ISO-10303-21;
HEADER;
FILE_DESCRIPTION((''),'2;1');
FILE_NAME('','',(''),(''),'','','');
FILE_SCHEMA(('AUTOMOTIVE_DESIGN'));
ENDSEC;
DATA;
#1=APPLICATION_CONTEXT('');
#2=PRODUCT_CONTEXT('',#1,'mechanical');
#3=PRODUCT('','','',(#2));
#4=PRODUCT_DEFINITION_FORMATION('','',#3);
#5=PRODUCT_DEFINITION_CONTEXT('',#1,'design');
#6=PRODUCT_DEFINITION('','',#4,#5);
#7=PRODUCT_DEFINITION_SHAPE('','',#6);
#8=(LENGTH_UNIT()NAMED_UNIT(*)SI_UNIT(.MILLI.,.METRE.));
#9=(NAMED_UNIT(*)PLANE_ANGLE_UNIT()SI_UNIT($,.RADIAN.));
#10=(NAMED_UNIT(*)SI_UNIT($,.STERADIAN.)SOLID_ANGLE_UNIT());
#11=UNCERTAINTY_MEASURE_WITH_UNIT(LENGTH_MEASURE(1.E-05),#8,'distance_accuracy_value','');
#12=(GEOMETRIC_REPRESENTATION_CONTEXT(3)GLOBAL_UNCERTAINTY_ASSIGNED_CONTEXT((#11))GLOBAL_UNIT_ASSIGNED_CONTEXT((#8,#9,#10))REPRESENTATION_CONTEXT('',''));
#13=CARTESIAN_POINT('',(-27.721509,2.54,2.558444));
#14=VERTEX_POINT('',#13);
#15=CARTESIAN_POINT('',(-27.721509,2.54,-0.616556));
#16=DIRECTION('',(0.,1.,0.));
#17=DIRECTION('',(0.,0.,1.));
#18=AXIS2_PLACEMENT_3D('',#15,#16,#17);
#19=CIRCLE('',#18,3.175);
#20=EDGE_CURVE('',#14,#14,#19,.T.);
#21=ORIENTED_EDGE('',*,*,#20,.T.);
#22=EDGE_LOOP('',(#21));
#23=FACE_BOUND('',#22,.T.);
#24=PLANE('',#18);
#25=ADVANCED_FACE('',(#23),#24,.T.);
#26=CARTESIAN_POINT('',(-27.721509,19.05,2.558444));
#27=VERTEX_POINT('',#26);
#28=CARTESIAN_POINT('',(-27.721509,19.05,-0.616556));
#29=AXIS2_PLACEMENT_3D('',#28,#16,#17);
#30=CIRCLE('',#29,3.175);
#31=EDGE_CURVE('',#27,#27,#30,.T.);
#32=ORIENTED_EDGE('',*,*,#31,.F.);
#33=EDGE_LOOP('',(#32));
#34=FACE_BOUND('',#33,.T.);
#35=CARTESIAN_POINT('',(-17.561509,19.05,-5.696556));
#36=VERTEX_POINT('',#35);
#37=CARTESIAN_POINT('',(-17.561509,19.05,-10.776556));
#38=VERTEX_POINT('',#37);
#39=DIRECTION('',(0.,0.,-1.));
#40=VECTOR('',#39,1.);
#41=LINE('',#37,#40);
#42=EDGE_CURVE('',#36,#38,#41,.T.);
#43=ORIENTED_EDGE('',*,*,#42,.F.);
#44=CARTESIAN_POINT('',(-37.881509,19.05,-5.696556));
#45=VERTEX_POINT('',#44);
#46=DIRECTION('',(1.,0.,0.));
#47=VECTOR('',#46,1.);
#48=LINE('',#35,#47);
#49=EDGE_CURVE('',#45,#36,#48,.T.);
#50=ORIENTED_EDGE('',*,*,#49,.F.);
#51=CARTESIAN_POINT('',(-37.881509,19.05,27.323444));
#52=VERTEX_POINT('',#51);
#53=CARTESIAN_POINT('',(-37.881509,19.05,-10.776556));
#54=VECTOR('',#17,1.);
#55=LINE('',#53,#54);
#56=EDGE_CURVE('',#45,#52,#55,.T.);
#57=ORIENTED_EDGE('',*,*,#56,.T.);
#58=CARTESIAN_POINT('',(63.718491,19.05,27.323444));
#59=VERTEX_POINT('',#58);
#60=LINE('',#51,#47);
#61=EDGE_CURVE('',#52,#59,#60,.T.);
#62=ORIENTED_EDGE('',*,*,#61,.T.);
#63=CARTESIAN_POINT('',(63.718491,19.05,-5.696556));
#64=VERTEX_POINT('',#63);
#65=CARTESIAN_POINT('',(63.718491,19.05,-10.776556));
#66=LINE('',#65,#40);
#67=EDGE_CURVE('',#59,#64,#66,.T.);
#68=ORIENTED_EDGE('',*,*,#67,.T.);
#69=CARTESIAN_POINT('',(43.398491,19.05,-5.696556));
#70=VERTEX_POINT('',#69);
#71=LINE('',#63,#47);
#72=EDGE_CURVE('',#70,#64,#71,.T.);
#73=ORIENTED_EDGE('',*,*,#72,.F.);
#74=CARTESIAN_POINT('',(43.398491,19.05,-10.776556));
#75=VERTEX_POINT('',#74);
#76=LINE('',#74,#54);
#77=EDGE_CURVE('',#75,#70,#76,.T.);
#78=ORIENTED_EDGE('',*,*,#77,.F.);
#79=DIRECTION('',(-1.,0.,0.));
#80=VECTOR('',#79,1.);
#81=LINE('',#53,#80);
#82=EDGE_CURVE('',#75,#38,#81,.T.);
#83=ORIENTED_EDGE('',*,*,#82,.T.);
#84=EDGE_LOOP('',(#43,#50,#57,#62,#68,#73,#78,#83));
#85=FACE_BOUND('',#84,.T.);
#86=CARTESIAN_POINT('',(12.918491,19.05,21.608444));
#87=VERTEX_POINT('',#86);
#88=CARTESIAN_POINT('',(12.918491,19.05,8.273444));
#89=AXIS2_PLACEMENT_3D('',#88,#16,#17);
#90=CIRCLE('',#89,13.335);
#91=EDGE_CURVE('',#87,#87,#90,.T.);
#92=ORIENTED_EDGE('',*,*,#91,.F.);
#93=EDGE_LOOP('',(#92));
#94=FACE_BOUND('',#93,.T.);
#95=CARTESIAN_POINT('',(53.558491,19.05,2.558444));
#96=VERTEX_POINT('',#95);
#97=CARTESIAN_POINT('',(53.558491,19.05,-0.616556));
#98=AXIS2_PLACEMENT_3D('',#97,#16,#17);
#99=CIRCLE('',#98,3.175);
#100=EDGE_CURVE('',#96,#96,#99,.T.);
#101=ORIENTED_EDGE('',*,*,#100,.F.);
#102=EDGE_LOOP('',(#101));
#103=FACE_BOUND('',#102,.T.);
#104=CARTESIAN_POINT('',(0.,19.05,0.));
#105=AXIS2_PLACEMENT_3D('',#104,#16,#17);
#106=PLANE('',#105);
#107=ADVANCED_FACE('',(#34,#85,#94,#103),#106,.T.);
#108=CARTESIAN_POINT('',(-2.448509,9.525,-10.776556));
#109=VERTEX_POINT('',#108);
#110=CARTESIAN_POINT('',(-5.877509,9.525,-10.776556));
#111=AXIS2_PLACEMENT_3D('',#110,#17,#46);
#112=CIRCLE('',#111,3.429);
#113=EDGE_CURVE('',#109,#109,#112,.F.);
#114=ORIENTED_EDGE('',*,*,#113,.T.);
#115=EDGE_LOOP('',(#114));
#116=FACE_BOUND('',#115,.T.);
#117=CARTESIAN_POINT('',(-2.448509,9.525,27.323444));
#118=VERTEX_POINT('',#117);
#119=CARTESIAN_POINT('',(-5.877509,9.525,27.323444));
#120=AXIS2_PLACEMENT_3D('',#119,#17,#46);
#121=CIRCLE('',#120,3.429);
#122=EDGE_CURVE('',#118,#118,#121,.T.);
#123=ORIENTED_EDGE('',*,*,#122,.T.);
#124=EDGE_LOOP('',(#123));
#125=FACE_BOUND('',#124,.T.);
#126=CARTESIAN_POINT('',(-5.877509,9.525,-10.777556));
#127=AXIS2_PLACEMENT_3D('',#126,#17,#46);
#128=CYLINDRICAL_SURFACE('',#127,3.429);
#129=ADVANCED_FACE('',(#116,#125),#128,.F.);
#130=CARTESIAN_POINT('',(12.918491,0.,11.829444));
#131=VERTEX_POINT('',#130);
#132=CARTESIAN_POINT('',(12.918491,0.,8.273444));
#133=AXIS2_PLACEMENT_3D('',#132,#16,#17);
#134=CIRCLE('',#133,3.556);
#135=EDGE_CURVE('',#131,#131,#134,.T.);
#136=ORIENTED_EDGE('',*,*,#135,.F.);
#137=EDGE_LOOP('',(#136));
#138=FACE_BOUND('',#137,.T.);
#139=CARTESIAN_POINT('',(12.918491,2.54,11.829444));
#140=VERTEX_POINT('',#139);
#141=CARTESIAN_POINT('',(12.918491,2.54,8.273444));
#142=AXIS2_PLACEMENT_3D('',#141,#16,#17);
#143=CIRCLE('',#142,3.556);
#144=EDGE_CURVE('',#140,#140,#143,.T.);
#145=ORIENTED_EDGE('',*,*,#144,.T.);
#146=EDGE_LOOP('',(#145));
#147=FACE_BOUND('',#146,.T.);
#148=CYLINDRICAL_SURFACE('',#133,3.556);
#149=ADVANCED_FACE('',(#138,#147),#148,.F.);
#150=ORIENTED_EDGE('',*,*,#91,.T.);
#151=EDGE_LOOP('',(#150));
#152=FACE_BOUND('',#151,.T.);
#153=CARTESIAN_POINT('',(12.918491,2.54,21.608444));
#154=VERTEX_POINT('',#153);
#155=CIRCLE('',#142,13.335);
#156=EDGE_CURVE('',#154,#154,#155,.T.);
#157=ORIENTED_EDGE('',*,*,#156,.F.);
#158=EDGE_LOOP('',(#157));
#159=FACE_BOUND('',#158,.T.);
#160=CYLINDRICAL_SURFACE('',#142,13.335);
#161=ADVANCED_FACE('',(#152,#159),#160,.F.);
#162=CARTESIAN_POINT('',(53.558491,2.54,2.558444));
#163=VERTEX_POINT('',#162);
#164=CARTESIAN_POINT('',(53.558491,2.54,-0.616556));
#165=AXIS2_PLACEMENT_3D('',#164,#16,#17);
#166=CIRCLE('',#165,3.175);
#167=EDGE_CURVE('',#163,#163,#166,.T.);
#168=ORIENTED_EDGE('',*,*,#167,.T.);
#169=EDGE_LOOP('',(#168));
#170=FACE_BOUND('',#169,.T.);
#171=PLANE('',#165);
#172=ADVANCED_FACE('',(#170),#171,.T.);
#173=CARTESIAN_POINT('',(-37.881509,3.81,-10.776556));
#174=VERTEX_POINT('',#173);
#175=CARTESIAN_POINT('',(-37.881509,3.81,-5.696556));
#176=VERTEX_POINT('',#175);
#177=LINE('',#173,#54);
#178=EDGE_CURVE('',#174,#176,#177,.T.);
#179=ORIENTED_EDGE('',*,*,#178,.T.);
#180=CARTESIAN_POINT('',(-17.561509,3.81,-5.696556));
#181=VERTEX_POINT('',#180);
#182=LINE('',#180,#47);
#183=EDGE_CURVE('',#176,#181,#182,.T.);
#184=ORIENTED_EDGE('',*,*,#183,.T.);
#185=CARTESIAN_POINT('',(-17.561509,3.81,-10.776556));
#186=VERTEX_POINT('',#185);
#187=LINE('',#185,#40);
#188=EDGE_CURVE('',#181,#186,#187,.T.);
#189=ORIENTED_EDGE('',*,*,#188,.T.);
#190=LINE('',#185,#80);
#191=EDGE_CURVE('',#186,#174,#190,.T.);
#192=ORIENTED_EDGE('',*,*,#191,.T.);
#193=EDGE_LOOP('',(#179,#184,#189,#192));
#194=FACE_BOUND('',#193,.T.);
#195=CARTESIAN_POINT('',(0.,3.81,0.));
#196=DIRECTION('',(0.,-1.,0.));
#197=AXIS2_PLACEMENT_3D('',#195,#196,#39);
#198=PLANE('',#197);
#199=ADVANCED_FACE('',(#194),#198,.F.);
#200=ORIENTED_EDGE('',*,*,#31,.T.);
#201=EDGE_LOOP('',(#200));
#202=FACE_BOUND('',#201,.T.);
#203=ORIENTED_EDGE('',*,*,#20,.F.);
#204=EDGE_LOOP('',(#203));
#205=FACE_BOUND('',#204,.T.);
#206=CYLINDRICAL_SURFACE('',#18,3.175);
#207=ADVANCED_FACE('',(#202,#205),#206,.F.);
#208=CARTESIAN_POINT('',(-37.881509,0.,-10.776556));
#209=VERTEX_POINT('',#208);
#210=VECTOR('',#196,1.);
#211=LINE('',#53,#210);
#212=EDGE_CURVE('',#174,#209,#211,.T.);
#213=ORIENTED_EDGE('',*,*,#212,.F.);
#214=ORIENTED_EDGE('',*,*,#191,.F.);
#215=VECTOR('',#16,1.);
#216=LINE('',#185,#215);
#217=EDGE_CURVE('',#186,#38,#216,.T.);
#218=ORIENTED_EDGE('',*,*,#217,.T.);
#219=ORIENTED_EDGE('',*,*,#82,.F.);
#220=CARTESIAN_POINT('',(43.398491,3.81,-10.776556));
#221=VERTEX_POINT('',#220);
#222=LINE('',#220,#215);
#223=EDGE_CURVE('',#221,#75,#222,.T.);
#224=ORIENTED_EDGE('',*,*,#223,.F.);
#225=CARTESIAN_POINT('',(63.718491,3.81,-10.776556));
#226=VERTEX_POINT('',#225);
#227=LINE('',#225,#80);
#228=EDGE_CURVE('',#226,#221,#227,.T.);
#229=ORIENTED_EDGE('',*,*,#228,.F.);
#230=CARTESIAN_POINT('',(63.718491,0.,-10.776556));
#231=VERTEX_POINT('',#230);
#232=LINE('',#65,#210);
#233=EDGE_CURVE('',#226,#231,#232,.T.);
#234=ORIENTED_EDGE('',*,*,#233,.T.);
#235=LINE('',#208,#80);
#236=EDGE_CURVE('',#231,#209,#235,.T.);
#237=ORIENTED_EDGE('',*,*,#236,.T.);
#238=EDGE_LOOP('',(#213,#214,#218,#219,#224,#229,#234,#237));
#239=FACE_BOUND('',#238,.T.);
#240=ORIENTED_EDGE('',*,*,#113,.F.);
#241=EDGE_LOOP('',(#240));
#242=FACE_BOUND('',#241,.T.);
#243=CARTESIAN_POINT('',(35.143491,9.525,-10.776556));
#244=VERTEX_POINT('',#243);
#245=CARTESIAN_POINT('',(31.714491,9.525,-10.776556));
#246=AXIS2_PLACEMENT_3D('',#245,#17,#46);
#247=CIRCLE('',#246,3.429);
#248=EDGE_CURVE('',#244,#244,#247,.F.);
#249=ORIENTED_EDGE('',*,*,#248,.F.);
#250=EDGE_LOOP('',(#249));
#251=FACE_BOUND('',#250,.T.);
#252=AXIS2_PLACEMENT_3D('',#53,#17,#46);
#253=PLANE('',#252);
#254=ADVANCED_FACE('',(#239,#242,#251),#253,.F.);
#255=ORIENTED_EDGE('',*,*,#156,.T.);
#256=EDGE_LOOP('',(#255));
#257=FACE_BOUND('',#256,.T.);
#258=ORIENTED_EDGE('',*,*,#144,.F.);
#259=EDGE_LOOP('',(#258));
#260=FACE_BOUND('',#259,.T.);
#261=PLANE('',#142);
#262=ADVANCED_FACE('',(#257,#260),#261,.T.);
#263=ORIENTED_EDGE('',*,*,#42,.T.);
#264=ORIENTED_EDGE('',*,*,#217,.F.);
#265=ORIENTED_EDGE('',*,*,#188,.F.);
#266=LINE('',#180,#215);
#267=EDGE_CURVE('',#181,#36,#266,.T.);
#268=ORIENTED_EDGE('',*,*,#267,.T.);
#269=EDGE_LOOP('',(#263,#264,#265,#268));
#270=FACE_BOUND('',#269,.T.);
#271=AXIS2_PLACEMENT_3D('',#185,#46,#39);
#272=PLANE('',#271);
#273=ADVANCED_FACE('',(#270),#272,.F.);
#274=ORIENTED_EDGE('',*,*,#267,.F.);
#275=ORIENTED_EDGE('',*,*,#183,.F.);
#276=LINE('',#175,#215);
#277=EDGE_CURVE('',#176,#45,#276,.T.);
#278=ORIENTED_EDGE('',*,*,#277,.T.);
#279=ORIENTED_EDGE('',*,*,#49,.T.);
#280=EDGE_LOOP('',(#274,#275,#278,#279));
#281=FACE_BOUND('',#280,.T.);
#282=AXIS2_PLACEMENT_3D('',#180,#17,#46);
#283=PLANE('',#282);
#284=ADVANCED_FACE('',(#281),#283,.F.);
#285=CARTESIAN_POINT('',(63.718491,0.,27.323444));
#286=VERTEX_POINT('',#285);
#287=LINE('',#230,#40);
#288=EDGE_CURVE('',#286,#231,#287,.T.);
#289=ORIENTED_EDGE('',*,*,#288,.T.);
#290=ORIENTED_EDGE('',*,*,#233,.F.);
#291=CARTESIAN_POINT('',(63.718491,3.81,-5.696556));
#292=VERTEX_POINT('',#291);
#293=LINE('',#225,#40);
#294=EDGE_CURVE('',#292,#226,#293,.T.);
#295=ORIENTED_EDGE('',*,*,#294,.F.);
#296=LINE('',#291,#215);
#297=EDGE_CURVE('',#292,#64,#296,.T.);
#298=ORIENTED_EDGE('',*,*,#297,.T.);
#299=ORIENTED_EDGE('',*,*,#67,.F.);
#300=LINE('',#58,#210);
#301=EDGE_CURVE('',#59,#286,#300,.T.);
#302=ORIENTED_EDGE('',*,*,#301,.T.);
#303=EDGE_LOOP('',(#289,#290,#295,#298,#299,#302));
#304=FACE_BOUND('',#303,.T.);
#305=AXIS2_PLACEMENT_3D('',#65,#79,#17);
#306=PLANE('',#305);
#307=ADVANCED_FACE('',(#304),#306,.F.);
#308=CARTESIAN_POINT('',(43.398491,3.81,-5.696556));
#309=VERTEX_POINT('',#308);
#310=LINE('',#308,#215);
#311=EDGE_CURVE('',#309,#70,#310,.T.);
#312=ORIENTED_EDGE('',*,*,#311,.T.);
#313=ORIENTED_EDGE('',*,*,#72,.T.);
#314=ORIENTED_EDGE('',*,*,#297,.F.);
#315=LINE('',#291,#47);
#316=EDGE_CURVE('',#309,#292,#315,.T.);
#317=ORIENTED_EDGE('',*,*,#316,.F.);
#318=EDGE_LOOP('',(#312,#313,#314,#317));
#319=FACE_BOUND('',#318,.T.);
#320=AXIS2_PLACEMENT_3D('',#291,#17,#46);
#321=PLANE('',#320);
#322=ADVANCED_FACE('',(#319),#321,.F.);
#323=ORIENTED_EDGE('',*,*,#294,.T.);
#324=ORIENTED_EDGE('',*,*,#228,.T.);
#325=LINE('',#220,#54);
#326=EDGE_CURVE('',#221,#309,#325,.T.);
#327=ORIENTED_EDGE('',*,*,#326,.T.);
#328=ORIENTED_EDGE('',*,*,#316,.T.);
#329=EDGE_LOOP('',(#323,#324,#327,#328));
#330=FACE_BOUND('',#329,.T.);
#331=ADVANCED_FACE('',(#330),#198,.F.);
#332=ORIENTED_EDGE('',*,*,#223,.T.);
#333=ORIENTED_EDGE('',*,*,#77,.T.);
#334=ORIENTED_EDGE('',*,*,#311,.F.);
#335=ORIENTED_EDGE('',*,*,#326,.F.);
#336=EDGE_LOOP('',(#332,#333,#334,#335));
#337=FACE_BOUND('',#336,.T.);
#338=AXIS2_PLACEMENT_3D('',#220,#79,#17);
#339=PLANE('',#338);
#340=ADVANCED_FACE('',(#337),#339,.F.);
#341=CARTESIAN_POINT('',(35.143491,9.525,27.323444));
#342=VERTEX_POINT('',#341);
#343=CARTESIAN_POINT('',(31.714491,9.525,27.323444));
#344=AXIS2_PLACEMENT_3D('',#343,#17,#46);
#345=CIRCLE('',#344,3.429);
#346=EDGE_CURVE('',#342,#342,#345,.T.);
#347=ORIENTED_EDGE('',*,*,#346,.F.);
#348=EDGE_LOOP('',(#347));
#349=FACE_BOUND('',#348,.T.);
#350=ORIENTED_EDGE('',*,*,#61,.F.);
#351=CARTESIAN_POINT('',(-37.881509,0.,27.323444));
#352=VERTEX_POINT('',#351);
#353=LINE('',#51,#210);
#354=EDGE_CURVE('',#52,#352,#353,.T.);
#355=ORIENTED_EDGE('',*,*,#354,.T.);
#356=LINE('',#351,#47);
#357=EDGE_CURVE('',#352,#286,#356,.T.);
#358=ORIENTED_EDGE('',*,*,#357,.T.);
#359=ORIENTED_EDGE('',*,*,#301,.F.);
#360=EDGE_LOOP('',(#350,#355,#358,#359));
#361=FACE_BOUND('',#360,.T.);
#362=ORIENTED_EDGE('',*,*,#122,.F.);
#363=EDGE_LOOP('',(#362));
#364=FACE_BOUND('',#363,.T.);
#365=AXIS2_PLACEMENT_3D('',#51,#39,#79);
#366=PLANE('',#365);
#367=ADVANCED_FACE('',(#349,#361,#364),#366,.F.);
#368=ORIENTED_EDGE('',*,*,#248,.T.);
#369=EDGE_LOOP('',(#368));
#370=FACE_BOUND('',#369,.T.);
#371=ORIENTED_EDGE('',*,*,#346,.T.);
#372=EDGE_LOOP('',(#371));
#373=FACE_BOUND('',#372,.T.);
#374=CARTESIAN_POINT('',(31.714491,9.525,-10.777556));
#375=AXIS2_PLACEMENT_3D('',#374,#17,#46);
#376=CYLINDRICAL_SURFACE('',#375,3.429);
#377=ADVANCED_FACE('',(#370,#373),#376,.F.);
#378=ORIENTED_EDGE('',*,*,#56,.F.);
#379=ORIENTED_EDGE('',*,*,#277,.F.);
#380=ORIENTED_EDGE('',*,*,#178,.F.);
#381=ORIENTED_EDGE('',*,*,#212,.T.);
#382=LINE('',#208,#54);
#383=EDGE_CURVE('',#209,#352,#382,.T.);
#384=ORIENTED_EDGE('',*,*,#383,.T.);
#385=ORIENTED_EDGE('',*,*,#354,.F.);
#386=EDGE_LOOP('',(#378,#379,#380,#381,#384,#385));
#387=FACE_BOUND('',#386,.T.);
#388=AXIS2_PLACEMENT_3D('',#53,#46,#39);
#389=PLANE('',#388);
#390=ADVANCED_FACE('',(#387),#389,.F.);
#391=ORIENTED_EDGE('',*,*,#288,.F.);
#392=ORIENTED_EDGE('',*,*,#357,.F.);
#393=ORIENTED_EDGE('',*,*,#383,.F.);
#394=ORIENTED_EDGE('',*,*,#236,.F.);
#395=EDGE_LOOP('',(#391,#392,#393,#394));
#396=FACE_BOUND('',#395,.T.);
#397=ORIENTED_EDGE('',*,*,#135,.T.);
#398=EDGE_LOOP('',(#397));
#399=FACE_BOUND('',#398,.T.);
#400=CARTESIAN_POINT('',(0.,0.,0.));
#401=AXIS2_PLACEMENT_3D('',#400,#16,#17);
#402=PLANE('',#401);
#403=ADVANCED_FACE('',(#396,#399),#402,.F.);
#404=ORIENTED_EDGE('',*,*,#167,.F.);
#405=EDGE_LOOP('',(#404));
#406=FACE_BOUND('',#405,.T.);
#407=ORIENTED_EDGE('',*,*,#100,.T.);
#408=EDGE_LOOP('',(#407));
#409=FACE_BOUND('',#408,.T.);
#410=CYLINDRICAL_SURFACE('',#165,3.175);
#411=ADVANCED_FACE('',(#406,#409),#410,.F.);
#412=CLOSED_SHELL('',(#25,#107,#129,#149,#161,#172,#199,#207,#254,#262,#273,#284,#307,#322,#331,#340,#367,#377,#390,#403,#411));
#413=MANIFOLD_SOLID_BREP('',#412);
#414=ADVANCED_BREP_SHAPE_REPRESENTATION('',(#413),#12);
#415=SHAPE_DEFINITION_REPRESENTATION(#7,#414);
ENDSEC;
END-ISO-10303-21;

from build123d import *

# Parameters (mm, degrees)
SKETCH1_W           = 101.6
SKETCH1_H           = 38.1
BOSS_EXTRUDE1_DEPTH = 19.05
SKETCH2_R           = 3.175
CUT_EXTRUDE1_DEPTH  = 16.51
CUT_EXTRUDE2_REACH  = 40.1
SKETCH3_R           = 3.429
SKETCH4_R           = 13.335
CUT_EXTRUDE3_DEPTH  = 16.51
SKETCH5_R           = 3.556
CUT_EXTRUDE4_DEPTH  = 20.05
SKETCH6_W           = 20.32
SKETCH6_H           = 5.08
CUT_EXTRUDE5_DEPTH  = 15.24


with BuildPart() as part:
    # Sketch1 → Boss-Extrude1 (new body)
    with BuildSketch(Plane(origin=(0, 0, 0), x_dir=(1, 0, 0), z_dir=(0, 1, 0))):
        with Locations((12.918491372, -8.273443983)):
            Rectangle(SKETCH1_W, SKETCH1_H)
    extrude(amount=BOSS_EXTRUDE1_DEPTH)

    # Sketch2 → Cut-Extrude1 (cut)
    with BuildSketch(Plane(origin=(0, 19.05, 0), x_dir=(1, 0, 0), z_dir=(0, 1, 0))):
        with Locations((-27.721508628, 0.616556017)):
            Circle(SKETCH2_R)
        with Locations((53.558491372, 0.616556017)):
            Circle(SKETCH2_R)
    extrude(amount=-CUT_EXTRUDE1_DEPTH, mode=Mode.SUBTRACT)

    # Sketch3 → Cut-Extrude2 (cut, up to next)
    with BuildSketch(Plane.XY.offset(27.323443983), mode=Mode.PRIVATE) as cut_extrude2_sk1:
        with Locations((-5.877508628, 9.525)):
            Circle(SKETCH3_R)
    cut_extrude2_tool1 = extrude(cut_extrude2_sk1.sketch, amount=-CUT_EXTRUDE2_REACH, mode=Mode.PRIVATE) & part.part
    add(cut_extrude2_tool1.solids().sort_by_distance((-5.877509, 9.525, 27.323444))[0], mode=Mode.SUBTRACT)
    # Sketch3 → Cut-Extrude2 (cut, up to next)
    with BuildSketch(Plane.XY.offset(27.323443983), mode=Mode.PRIVATE) as cut_extrude2_sk2:
        with Locations((31.714491372, 9.525)):
            Circle(SKETCH3_R)
    cut_extrude2_tool2 = extrude(cut_extrude2_sk2.sketch, amount=-CUT_EXTRUDE2_REACH, mode=Mode.PRIVATE) & part.part
    add(cut_extrude2_tool2.solids().sort_by_distance((31.714491, 9.525, 27.323444))[0], mode=Mode.SUBTRACT)

    # Sketch4 → Cut-Extrude3 (cut)
    with BuildSketch(Plane(origin=(0, 19.05, 0), x_dir=(1, 0, 0), z_dir=(0, 1, 0))):
        with Locations((12.918491372, -8.273443983)):
            Circle(SKETCH4_R)
    extrude(amount=-CUT_EXTRUDE3_DEPTH, mode=Mode.SUBTRACT)

    # Sketch5 → Cut-Extrude4 (cut, through all)
    with BuildSketch(Plane(origin=(0, 19.05, 0), x_dir=(1, 0, 0), z_dir=(0, 1, 0))):
        with Locations((12.918491372, -8.273443983)):
            Circle(SKETCH5_R)
    extrude(amount=-CUT_EXTRUDE4_DEPTH, mode=Mode.SUBTRACT)

    # Sketch6 → Cut-Extrude5 (cut)
    with BuildSketch(Plane(origin=(0, 19.05, 0), x_dir=(1, 0, 0), z_dir=(0, 1, 0))):
        with Locations((-27.721508628, 8.236556017)):
            Rectangle(SKETCH6_W, SKETCH6_H)
        with Locations((53.558491372, 8.236556017)):
            Rectangle(SKETCH6_W, SKETCH6_H)
    extrude(amount=-CUT_EXTRUDE5_DEPTH, mode=Mode.SUBTRACT)


solid = part.part
